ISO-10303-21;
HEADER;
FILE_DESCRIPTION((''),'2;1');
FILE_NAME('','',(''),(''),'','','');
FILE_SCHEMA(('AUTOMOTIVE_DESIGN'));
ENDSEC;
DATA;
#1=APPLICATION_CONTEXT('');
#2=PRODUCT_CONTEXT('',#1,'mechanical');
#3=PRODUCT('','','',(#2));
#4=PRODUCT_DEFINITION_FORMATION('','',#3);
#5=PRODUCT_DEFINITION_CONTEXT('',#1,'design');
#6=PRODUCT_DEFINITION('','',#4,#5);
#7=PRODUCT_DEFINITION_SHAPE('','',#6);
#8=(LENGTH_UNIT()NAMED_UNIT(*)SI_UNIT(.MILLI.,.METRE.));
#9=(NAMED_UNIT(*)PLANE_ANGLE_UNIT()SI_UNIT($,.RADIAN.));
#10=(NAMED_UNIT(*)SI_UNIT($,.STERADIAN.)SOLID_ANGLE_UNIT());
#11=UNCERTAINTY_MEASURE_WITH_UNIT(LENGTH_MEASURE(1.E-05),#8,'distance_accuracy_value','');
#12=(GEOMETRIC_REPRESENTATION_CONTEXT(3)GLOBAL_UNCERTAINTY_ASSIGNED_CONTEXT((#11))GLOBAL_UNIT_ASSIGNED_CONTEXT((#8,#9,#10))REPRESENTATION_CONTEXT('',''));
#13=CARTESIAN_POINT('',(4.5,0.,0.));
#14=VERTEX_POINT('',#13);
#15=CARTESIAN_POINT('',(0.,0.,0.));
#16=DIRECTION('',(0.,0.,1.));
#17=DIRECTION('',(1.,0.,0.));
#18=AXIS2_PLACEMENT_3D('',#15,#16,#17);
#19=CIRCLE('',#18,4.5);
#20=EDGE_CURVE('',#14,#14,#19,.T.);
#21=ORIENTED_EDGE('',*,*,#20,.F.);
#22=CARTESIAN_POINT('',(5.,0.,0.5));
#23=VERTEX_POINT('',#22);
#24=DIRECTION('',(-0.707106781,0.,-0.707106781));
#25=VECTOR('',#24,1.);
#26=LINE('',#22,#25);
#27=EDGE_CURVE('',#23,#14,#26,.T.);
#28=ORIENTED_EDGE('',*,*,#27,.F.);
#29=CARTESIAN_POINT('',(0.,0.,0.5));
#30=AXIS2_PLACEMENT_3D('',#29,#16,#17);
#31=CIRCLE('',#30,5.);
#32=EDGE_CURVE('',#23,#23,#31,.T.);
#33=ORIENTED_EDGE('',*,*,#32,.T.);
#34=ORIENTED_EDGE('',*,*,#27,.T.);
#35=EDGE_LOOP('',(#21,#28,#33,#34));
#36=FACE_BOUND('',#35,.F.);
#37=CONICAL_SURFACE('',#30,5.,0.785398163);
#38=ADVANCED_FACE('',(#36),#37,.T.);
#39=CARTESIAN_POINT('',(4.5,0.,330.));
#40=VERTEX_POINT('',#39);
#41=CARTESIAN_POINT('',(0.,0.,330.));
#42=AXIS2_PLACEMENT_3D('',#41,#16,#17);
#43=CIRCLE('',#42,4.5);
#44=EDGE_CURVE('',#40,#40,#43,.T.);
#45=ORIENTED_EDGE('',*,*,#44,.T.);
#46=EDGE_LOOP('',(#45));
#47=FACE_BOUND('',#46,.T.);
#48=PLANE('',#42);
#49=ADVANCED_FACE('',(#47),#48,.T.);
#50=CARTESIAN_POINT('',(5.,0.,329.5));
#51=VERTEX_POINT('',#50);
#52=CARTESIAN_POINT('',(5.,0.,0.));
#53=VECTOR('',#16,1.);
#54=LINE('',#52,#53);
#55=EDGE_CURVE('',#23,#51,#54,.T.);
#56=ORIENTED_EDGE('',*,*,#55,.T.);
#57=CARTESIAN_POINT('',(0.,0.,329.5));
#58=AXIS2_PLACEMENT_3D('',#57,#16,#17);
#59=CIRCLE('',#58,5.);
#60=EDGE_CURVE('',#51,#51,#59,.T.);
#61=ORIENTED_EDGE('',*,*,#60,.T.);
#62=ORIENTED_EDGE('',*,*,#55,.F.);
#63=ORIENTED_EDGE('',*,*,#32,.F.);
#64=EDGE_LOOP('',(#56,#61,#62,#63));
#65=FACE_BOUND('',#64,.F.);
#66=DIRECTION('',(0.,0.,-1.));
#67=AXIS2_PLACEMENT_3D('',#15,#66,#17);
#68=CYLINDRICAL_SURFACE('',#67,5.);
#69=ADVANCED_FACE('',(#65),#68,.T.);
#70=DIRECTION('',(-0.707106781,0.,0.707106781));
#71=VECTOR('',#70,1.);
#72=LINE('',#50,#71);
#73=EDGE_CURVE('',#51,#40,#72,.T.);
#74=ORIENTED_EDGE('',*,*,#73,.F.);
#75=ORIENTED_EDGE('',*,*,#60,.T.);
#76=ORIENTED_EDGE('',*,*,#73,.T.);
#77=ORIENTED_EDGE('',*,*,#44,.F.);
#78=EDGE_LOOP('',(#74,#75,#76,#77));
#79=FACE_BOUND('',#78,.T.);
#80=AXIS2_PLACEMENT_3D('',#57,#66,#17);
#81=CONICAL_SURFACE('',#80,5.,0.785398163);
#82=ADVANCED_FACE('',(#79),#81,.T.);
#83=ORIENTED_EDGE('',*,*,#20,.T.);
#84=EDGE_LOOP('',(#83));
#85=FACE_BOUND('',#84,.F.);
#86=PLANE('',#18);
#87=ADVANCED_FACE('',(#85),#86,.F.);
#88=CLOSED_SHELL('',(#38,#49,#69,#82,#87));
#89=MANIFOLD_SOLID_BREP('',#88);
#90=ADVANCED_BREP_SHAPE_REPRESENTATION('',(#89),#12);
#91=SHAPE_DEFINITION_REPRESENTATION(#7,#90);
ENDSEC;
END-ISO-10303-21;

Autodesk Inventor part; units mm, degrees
ref_plane "YZ Plane" through (0, 0, 0) normal (1, 0, 0) x (0, 1, 0)
ref_plane "XZ Plane" through (0, 0, 0) normal (0, 1, 0) x (-1, 0, 0)
ref_plane "XY Plane" through (0, 0, 0) normal (0, 0, 1) x (1, 0, 0)
sketch "Boceto1" plane through (0, 0, 0) normal (0, 0, 1) x (1, 0, 0)
  circle A0 centre (0, 0) radius 5
extrude "Extrusión1" add sketch "Boceto1" along normal blind 330
chamfer "Chaflán1" distance 0.5 angle 45 2 edges at (-5, 0, 330) (-5, 0, 0)
properties part number "varilla 10 carro x"
